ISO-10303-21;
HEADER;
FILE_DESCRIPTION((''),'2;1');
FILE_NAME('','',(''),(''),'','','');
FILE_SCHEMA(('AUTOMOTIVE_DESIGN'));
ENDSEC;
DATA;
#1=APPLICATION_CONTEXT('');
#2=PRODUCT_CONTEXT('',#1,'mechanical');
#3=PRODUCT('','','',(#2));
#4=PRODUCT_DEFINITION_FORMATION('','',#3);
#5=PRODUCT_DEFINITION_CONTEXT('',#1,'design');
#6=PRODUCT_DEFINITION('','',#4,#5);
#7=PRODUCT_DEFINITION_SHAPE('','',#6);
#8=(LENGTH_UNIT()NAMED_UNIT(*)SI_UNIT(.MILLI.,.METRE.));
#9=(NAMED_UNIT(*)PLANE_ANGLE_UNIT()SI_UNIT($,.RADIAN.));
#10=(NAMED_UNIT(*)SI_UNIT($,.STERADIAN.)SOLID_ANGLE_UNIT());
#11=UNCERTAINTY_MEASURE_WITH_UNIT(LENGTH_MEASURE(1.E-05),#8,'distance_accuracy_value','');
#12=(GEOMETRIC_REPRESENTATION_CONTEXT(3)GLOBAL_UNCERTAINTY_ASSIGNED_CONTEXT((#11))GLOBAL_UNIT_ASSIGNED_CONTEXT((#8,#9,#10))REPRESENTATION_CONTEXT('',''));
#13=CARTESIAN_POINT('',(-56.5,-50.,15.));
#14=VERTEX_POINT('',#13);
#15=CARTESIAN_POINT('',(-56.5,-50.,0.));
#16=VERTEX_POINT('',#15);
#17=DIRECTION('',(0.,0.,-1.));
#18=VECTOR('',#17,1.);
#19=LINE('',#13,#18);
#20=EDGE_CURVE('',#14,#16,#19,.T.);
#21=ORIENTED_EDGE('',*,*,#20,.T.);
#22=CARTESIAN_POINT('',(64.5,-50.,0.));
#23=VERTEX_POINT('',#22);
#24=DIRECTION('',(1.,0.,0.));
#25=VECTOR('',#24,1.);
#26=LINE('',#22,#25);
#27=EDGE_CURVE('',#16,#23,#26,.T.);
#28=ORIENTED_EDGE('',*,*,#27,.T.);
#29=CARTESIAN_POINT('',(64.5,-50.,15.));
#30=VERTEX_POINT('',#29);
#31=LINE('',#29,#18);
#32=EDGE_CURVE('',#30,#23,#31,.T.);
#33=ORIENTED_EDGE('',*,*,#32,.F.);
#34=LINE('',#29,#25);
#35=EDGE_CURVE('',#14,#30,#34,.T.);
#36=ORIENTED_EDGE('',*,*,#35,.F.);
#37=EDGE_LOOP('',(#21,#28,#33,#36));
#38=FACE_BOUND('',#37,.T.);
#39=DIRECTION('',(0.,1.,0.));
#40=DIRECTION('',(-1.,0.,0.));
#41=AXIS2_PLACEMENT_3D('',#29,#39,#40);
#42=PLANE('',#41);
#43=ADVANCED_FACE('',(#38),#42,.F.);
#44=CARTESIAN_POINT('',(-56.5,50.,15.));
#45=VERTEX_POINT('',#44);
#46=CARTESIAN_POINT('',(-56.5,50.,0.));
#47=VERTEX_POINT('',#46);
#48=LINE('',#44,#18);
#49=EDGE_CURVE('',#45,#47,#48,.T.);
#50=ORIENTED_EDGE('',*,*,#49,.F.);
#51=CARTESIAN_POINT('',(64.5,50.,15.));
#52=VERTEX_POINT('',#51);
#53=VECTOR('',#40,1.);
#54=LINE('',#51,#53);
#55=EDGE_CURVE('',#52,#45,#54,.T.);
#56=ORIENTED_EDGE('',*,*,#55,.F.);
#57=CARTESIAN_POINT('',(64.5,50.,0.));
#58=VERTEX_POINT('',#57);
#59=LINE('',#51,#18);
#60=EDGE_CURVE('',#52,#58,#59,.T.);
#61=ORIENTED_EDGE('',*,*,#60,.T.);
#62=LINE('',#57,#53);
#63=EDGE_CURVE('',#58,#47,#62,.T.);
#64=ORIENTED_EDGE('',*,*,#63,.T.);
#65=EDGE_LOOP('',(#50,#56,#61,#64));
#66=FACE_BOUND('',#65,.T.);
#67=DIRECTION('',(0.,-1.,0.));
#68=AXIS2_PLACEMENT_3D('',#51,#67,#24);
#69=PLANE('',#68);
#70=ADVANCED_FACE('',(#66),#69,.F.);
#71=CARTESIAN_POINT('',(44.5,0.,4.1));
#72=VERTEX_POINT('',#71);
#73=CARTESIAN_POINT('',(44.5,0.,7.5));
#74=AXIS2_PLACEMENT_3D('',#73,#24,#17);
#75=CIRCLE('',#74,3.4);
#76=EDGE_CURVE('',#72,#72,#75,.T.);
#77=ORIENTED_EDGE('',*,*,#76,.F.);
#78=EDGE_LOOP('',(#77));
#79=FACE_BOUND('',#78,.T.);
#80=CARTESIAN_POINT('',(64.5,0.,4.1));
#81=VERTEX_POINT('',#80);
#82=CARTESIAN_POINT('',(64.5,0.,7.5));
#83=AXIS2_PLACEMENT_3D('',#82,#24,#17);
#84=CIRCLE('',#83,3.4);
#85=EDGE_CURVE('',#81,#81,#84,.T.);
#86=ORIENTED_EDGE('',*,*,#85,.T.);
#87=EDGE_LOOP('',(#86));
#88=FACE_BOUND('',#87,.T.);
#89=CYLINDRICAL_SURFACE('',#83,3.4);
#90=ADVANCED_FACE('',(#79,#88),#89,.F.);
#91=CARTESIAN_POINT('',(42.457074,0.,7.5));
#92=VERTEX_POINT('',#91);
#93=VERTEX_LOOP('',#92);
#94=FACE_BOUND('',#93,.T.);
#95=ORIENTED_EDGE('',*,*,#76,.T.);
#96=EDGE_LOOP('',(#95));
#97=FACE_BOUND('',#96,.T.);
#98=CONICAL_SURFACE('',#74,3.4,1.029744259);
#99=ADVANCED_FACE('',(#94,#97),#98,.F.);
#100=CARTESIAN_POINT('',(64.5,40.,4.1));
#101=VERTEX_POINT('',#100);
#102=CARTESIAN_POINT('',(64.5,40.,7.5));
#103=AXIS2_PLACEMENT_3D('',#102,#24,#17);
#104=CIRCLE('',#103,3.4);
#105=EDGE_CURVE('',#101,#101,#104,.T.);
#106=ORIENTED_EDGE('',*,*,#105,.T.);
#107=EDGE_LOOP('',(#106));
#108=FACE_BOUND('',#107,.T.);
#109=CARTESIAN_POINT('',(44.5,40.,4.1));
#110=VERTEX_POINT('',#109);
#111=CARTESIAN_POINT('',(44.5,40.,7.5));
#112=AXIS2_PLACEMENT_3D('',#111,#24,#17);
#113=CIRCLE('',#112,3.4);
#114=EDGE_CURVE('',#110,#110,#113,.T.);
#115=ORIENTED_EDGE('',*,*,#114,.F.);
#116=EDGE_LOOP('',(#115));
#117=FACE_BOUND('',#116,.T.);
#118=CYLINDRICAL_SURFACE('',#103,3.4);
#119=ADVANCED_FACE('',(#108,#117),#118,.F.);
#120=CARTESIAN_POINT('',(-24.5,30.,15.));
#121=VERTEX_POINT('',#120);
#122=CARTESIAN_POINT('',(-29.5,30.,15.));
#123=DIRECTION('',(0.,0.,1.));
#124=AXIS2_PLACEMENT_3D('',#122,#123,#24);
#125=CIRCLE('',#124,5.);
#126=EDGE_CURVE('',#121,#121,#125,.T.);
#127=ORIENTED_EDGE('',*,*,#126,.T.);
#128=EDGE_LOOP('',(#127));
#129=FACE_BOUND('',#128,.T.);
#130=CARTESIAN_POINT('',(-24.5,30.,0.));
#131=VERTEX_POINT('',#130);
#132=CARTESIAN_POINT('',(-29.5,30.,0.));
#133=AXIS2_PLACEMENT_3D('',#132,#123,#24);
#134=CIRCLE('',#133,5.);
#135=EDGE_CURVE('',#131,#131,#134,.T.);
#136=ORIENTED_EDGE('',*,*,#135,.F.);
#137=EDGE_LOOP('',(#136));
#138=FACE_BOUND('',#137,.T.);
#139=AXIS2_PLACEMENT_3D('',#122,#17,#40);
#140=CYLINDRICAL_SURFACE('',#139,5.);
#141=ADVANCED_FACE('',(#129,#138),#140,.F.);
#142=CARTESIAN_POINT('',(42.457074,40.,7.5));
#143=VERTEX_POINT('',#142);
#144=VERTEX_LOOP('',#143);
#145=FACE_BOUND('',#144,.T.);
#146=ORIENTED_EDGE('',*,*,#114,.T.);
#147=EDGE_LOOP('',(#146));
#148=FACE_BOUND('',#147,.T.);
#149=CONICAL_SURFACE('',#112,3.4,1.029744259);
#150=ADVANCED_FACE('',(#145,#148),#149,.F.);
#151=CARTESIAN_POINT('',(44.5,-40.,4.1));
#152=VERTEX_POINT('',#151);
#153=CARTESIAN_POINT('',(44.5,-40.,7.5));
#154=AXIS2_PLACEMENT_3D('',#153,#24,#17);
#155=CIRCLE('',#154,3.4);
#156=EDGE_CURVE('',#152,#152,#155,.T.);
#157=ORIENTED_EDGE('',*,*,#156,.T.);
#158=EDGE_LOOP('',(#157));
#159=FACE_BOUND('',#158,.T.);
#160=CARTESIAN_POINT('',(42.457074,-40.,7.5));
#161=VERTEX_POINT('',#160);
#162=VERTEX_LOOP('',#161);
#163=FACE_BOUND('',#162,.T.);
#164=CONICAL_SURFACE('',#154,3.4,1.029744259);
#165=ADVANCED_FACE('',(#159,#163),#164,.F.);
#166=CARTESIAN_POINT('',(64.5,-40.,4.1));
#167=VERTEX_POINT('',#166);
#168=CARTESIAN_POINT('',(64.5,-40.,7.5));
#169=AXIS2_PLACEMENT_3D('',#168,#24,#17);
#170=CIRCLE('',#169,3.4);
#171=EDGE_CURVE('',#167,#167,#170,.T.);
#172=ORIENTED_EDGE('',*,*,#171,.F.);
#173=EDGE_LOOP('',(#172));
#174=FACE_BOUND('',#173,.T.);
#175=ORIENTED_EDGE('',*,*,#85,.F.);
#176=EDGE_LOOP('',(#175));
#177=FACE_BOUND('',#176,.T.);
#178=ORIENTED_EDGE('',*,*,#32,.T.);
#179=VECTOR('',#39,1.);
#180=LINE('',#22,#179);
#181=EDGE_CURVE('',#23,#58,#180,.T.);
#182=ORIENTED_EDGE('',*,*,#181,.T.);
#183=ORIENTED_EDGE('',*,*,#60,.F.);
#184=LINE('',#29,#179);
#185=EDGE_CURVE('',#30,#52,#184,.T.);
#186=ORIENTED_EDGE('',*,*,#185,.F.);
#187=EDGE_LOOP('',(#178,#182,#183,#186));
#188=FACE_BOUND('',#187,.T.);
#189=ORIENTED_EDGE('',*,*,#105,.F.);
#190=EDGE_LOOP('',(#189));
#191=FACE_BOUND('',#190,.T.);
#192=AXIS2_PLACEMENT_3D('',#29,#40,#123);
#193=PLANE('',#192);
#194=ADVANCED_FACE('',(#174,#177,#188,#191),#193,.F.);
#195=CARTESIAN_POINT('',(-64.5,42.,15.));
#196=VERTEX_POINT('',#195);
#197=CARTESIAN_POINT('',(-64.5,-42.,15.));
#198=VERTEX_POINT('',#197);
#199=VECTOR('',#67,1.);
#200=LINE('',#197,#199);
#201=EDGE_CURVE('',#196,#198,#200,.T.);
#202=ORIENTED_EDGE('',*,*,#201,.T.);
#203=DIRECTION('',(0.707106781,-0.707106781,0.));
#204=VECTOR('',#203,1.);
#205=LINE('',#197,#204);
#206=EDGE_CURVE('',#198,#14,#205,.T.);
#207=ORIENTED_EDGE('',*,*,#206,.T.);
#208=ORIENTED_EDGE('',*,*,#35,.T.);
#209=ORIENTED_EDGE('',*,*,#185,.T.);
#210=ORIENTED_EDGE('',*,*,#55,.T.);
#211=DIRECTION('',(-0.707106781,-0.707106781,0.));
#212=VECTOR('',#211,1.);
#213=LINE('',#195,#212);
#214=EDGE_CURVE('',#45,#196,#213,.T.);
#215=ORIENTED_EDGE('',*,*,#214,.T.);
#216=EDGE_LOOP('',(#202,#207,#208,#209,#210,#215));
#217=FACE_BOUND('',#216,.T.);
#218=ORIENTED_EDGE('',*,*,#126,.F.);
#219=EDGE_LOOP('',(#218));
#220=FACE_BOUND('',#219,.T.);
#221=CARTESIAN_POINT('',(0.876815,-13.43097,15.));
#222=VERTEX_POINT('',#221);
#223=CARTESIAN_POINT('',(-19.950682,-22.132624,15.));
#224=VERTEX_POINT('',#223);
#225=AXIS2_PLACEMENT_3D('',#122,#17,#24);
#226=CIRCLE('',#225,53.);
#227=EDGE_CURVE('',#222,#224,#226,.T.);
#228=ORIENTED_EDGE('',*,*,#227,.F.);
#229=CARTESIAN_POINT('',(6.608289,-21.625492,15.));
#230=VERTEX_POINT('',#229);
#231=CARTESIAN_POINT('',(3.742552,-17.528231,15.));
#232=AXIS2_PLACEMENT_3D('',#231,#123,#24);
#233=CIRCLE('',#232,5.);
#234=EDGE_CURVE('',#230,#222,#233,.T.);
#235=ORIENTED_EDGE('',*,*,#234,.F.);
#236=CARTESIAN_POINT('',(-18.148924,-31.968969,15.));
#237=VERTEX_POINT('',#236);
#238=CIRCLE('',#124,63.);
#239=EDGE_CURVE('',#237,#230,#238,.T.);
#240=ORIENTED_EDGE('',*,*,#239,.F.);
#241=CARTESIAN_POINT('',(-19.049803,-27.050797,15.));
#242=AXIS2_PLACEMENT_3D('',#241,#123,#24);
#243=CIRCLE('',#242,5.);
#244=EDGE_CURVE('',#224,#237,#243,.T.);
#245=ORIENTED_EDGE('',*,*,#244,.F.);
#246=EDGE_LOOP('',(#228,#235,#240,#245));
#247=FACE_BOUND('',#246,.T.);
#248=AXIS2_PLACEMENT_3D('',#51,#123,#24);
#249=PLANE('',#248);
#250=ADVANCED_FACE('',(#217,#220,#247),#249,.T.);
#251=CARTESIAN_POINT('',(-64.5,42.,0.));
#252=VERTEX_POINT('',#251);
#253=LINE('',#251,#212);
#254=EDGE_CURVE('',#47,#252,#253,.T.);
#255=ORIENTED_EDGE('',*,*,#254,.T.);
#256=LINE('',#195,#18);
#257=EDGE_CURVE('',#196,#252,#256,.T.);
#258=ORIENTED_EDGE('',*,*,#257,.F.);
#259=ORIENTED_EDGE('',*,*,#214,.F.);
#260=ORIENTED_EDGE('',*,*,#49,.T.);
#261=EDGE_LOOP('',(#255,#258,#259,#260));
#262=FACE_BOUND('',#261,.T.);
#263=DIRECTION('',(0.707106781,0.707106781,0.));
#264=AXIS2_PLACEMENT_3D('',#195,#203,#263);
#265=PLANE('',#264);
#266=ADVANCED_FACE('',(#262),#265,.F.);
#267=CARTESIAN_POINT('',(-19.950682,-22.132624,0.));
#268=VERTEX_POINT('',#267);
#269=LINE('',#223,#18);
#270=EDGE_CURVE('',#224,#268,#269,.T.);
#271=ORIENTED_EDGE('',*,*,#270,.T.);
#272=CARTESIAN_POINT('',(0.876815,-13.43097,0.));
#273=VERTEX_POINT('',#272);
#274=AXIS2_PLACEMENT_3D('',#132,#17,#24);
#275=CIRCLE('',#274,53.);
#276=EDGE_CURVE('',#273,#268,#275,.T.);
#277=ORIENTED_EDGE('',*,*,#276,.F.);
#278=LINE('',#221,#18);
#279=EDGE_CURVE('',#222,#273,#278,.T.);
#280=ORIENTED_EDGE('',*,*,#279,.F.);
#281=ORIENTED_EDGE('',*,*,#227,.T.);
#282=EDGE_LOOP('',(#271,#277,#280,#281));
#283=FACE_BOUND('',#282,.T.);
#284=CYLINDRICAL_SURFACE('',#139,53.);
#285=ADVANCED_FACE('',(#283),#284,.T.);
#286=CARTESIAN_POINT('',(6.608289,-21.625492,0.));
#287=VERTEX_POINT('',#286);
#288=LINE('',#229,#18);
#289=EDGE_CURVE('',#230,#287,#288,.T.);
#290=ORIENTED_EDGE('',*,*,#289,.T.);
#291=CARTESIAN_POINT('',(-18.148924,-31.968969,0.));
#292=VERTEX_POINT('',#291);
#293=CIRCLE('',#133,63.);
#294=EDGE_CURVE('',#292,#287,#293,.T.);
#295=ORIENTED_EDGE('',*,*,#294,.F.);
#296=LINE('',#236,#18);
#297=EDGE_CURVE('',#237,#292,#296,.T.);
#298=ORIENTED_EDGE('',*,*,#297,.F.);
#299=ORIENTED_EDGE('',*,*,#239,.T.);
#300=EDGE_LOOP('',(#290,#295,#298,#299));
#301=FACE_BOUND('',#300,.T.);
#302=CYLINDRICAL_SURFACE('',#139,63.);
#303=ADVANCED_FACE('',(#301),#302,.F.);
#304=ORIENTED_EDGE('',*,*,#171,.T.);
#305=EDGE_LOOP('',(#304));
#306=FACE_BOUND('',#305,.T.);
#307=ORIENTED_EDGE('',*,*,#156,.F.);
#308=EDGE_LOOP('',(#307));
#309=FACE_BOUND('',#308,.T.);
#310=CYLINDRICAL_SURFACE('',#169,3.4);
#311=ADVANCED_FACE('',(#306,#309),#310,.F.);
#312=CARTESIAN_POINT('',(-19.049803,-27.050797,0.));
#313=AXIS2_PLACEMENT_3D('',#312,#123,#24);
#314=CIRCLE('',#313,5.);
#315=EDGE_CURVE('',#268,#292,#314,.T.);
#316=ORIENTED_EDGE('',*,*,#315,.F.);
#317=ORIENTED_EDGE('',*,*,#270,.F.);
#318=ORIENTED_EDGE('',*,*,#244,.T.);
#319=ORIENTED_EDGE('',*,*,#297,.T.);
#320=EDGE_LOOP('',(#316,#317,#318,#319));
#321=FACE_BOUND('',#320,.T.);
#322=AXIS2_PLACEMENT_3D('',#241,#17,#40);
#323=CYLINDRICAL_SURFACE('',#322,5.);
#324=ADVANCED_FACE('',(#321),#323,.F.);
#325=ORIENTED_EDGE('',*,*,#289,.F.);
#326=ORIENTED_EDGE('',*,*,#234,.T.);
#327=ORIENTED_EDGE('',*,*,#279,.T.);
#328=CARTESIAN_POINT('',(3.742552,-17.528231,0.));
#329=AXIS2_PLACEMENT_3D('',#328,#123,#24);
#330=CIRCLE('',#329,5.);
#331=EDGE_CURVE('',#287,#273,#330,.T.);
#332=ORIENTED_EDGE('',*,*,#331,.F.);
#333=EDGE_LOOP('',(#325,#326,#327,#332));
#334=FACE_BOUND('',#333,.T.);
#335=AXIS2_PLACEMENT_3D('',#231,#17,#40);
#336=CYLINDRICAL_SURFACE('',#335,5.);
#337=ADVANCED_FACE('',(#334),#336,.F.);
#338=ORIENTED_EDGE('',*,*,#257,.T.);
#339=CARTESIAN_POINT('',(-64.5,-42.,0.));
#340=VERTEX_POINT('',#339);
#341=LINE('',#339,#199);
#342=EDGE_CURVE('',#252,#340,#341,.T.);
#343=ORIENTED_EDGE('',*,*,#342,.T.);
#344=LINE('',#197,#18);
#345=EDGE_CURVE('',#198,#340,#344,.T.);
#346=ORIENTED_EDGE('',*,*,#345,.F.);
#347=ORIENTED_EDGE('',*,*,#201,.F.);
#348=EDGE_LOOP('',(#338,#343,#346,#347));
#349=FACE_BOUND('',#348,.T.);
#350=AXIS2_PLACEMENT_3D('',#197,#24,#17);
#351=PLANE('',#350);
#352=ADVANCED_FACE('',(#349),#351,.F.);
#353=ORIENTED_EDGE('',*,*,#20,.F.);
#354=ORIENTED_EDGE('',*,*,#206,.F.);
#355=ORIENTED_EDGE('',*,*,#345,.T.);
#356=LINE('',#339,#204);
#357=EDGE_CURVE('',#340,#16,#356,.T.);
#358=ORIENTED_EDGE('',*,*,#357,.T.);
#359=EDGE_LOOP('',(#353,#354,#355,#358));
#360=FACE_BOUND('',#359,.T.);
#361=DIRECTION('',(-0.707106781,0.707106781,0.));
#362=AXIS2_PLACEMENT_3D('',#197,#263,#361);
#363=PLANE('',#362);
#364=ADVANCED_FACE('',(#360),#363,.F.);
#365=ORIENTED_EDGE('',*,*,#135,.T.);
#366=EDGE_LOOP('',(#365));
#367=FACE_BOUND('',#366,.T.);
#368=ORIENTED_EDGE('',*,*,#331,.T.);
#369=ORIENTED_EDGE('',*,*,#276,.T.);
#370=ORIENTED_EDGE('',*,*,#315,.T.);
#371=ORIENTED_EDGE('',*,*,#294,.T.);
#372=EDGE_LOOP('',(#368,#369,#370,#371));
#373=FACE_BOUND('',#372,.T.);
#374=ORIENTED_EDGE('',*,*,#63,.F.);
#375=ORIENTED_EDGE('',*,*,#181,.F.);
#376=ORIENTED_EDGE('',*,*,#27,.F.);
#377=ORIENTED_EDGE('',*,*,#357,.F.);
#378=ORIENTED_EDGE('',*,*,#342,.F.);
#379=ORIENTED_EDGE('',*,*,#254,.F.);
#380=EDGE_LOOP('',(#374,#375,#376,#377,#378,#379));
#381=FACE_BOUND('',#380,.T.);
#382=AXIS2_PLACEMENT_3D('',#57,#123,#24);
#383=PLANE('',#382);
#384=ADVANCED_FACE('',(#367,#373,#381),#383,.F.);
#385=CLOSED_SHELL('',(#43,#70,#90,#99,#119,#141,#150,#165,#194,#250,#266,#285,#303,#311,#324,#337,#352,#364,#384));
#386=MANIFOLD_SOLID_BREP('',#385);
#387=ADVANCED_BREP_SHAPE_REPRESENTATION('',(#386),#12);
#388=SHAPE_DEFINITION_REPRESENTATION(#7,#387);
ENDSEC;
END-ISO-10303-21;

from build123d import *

# Parameters (mm, degrees)
CROQUIS1_R                = 5
SALIENTE_EXTRUIR1_DEPTH   = 15
TALADRO_ROSCADO_M81_D     = 6.8
TALADRO_ROSCADO_M81_DEPTH = 20
TALADRO_ROSCADO_M81_TIP   = 2.042926105


with BuildPart() as part:
    # Croquis1 → Saliente-Extruir1 (new body)
    with BuildSketch(Plane.XY):
        Polygon((-64.5, 42), (-56.5, 50), (64.5, 50), (64.5, -50), (-56.5, -50), (-64.5, -42), align=None)
        with Locations((-29.5, 30)):
            Circle(CROQUIS1_R, mode=Mode.SUBTRACT)
        with BuildLine():
            ThreePointArc((-18.148924408, -31.968968709), (-5.213281237, -28.130502249), (6.608289397, -21.625492122))
            ThreePointArc((6.608289397, -21.625492122), (7.839813422, -14.662493589), (0.876814889, -13.430969563))
            ThreePointArc((0.876814889, -13.430969563), (-9.068315962, -18.9034384), (-19.950682438, -22.13262447))
            ThreePointArc((-19.950682438, -22.13262447), (-23.967975543, -27.951675605), (-18.148924408, -31.968968709))
        make_face(mode=Mode.SUBTRACT)
    extrude(amount=SALIENTE_EXTRUIR1_DEPTH)

    # Taladro roscado M81
    with Locations(Plane(origin=(64.5, 0, 0), x_dir=(0, 0, -1), z_dir=(1, 0, 0))):
        with Locations((-7.5, 40), (-7.5, 0), (-7.5, -40)):
            Hole(TALADRO_ROSCADO_M81_D / 2, depth=TALADRO_ROSCADO_M81_DEPTH)
            with Locations((0, 0, -(TALADRO_ROSCADO_M81_DEPTH + TALADRO_ROSCADO_M81_TIP / 2))):  # 118° drill point
                Cone(0, TALADRO_ROSCADO_M81_D / 2, TALADRO_ROSCADO_M81_TIP, mode=Mode.SUBTRACT)


solid = part.part
